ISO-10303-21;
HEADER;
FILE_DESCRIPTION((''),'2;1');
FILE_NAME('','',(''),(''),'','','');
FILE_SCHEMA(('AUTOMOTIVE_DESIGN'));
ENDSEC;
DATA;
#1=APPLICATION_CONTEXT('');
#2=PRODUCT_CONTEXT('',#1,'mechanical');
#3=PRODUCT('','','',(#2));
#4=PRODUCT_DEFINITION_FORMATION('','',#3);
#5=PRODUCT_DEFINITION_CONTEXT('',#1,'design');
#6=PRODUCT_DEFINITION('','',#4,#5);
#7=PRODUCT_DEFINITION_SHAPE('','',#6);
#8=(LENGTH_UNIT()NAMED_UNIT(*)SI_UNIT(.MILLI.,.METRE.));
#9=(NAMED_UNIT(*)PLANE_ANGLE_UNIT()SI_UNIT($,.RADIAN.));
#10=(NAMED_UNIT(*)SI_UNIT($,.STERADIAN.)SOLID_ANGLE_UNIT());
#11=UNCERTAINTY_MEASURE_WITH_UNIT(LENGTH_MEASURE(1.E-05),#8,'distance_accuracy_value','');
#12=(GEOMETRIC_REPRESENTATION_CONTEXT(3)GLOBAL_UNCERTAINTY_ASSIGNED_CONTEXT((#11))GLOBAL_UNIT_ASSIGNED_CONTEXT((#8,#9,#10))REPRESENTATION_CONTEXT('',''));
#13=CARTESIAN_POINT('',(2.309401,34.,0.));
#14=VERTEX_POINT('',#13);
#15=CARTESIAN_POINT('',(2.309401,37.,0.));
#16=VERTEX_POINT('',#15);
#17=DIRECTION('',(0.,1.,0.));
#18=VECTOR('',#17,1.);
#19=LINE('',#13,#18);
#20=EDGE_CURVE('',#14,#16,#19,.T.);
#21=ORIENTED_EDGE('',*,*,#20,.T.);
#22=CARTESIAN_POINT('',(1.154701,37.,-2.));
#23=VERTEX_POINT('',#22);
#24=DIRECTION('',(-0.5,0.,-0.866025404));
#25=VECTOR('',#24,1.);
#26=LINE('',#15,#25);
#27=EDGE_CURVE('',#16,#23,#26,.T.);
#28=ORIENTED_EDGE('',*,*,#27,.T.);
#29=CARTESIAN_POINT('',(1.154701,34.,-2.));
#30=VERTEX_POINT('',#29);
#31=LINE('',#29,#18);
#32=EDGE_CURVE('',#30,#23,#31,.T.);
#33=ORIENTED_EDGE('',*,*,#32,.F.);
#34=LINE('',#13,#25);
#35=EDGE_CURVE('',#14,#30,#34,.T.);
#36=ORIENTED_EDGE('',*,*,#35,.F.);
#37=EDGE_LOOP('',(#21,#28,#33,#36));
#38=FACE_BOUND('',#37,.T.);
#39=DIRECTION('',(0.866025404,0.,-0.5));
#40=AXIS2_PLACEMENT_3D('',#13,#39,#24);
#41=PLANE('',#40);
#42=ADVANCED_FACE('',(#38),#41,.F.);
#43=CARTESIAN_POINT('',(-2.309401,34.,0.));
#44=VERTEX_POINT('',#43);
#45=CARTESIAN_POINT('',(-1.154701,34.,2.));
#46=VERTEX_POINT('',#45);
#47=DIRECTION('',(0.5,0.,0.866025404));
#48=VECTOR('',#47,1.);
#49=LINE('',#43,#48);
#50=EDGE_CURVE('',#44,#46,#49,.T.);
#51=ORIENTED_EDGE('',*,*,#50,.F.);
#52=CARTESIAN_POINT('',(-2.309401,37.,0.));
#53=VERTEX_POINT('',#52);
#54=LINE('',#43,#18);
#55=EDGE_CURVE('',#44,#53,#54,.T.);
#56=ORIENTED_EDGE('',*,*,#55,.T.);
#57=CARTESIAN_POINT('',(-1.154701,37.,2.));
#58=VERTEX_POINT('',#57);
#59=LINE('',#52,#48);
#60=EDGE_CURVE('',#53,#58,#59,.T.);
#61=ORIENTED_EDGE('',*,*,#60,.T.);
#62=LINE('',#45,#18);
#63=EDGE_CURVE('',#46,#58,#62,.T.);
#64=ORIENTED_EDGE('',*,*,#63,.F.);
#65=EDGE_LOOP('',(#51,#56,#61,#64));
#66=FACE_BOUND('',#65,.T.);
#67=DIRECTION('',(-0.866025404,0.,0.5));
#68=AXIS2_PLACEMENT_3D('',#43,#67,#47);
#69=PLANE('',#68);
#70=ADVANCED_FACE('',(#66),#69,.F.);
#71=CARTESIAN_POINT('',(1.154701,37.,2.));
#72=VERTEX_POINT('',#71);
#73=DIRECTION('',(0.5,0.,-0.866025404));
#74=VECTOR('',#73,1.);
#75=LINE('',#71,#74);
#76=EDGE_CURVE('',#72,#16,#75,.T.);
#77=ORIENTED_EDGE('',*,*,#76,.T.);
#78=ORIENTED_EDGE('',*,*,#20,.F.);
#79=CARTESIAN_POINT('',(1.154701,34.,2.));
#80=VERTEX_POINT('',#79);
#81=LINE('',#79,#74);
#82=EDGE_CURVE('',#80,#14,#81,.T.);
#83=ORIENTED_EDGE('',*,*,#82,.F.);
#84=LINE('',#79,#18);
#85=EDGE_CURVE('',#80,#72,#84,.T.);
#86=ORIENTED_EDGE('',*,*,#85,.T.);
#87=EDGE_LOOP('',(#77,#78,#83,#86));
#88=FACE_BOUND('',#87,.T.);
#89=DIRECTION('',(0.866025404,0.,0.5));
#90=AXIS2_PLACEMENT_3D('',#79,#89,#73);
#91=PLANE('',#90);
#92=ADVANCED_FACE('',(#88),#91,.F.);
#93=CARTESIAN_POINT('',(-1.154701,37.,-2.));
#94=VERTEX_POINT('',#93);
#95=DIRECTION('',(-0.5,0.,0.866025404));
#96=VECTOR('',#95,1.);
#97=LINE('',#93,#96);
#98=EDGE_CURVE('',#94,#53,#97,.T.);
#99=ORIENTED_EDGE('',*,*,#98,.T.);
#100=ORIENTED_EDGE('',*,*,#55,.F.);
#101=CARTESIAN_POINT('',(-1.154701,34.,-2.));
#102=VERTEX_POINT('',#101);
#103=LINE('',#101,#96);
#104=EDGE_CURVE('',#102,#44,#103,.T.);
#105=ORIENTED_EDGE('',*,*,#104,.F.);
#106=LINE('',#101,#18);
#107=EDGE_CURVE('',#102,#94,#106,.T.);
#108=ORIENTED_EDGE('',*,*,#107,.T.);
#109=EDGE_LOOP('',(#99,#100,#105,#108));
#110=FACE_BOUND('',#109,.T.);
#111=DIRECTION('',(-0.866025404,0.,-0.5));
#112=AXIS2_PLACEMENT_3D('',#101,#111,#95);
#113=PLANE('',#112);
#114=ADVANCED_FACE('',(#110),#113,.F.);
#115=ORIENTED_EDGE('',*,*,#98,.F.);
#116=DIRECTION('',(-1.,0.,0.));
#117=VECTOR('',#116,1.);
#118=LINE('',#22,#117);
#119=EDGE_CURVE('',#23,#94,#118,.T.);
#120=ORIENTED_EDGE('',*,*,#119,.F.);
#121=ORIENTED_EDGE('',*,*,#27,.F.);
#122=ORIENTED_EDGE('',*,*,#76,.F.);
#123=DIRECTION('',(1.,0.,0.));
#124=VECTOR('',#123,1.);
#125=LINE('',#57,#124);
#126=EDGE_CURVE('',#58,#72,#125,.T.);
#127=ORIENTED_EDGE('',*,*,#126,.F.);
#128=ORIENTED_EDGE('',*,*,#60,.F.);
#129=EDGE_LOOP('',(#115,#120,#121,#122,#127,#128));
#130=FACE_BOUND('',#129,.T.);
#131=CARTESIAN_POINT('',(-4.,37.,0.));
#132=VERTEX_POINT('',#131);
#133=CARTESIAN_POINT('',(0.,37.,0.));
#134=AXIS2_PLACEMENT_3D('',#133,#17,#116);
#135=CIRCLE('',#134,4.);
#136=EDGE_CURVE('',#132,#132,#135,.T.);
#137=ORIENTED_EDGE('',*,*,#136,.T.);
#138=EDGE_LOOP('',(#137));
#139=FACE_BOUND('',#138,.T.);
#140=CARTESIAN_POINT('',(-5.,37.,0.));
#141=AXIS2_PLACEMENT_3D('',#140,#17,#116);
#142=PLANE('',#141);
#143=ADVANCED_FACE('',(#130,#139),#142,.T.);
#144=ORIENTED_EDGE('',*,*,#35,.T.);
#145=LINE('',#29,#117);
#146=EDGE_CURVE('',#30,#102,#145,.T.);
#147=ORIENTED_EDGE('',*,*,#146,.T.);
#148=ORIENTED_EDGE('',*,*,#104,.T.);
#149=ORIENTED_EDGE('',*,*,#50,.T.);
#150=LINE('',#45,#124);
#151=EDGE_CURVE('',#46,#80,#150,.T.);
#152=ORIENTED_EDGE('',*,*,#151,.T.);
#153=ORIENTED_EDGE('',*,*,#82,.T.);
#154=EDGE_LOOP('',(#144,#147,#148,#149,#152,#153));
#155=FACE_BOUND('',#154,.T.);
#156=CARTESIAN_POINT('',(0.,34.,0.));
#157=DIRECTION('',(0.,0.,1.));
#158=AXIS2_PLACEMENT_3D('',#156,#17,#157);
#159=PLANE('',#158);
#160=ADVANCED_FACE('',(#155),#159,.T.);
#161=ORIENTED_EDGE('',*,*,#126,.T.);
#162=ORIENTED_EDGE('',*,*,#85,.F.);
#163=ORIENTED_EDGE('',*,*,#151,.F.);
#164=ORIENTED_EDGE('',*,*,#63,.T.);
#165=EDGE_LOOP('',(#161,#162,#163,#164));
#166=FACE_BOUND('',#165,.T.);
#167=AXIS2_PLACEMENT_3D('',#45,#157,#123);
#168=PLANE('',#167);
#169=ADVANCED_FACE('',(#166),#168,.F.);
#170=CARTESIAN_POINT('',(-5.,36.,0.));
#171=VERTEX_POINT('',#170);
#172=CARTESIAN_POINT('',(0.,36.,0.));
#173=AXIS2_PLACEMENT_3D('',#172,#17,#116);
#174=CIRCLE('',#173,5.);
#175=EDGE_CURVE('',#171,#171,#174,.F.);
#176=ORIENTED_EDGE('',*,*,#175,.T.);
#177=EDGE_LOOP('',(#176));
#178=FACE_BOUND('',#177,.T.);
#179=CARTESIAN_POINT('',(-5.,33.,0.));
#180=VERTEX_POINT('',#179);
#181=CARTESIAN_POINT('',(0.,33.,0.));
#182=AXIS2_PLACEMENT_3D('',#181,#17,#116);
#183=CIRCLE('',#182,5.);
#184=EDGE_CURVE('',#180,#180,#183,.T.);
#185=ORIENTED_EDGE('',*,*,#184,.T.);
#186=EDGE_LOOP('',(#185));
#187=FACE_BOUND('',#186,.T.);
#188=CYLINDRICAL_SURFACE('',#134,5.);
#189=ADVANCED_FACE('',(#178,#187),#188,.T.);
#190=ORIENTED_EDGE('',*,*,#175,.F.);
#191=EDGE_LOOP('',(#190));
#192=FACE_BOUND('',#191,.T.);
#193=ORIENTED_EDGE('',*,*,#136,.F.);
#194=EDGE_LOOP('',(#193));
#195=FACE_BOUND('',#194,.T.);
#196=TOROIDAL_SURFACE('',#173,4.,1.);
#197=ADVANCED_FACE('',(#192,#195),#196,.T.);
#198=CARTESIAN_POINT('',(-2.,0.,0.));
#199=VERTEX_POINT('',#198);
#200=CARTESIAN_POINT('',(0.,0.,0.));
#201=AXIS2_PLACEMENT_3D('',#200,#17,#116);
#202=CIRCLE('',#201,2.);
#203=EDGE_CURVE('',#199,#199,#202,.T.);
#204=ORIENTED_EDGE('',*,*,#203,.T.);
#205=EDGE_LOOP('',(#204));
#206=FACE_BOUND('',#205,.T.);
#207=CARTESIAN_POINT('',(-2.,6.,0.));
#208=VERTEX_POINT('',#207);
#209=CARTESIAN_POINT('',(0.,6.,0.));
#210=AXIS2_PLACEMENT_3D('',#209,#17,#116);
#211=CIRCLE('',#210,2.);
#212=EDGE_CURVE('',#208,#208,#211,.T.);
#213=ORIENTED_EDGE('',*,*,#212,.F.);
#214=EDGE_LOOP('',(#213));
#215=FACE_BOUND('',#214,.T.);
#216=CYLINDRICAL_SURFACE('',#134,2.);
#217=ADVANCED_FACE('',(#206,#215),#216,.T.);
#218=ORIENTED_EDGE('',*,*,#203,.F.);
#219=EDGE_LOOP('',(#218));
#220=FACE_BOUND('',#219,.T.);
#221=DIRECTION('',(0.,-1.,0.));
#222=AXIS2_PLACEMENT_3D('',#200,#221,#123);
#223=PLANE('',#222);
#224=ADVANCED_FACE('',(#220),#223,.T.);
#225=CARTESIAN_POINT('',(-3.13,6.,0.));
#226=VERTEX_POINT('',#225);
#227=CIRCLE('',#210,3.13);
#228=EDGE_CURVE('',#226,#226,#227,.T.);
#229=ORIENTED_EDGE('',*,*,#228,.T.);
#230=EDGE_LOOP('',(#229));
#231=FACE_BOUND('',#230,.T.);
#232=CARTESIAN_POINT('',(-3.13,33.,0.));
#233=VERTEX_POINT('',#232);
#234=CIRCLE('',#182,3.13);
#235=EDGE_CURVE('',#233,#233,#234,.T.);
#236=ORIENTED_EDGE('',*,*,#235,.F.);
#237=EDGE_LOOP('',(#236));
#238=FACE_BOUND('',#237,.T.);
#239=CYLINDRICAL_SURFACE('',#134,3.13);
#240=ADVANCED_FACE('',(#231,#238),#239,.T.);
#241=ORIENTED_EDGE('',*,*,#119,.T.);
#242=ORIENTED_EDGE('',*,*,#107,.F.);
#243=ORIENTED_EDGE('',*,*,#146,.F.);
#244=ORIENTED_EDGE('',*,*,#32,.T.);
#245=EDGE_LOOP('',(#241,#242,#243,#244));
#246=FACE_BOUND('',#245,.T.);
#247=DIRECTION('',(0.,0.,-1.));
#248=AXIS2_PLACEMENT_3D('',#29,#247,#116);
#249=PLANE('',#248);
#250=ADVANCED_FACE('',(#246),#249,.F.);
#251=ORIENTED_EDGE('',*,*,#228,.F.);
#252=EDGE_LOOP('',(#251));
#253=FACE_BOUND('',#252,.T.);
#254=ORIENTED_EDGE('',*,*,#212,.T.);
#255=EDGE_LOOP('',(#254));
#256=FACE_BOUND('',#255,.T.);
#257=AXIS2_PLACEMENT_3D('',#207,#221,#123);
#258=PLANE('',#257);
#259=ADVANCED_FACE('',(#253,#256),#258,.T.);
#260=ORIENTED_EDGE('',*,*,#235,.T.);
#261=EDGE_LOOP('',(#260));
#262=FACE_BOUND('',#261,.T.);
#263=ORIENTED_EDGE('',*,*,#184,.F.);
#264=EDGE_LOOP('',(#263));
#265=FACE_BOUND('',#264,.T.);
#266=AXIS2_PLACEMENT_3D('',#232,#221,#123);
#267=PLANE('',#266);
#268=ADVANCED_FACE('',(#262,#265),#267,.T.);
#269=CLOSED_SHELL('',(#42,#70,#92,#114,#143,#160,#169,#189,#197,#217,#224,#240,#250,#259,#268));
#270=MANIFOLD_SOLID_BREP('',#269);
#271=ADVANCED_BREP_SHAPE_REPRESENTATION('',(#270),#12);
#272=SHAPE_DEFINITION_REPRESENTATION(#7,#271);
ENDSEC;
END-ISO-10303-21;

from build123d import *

# Parameters (mm, degrees)
CUT_EXTRUDE1_DEPTH = 3
FILLET1_R          = 1


with BuildPart() as part:
    # Sketch1 → Revolve1 (revolve)
    with BuildSketch(Plane.XY):
        Polygon((0, 0), (-2, 0), (-2, 6), (-3.13, 6), (-3.13, 33), (-5, 33), (-5, 37), (0, 37), align=None)
    revolve(axis=Axis((0, 37, 0), (0, -1, 0)))

    # Sketch2 → Cut-Extrude1 (cut)
    with BuildSketch(Plane(origin=(0, 37, 0), x_dir=(1, 0, 0), z_dir=(0, 1, 0))):
        Polygon((-1.154700538, -2), (1.154700538, -2), (2.309401077, 0), (1.154700538, 2), (-1.154700538, 2), (-2.309401077, 0), align=None)
    extrude(amount=-CUT_EXTRUDE1_DEPTH, mode=Mode.SUBTRACT)

    # Fillet1
    fillet1_edges = [part.edges().sort_by_distance(p)[0] for p in [
        (5, 37, 0),
    ]]
    fillet(fillet1_edges, radius=FILLET1_R)


solid = part.part
